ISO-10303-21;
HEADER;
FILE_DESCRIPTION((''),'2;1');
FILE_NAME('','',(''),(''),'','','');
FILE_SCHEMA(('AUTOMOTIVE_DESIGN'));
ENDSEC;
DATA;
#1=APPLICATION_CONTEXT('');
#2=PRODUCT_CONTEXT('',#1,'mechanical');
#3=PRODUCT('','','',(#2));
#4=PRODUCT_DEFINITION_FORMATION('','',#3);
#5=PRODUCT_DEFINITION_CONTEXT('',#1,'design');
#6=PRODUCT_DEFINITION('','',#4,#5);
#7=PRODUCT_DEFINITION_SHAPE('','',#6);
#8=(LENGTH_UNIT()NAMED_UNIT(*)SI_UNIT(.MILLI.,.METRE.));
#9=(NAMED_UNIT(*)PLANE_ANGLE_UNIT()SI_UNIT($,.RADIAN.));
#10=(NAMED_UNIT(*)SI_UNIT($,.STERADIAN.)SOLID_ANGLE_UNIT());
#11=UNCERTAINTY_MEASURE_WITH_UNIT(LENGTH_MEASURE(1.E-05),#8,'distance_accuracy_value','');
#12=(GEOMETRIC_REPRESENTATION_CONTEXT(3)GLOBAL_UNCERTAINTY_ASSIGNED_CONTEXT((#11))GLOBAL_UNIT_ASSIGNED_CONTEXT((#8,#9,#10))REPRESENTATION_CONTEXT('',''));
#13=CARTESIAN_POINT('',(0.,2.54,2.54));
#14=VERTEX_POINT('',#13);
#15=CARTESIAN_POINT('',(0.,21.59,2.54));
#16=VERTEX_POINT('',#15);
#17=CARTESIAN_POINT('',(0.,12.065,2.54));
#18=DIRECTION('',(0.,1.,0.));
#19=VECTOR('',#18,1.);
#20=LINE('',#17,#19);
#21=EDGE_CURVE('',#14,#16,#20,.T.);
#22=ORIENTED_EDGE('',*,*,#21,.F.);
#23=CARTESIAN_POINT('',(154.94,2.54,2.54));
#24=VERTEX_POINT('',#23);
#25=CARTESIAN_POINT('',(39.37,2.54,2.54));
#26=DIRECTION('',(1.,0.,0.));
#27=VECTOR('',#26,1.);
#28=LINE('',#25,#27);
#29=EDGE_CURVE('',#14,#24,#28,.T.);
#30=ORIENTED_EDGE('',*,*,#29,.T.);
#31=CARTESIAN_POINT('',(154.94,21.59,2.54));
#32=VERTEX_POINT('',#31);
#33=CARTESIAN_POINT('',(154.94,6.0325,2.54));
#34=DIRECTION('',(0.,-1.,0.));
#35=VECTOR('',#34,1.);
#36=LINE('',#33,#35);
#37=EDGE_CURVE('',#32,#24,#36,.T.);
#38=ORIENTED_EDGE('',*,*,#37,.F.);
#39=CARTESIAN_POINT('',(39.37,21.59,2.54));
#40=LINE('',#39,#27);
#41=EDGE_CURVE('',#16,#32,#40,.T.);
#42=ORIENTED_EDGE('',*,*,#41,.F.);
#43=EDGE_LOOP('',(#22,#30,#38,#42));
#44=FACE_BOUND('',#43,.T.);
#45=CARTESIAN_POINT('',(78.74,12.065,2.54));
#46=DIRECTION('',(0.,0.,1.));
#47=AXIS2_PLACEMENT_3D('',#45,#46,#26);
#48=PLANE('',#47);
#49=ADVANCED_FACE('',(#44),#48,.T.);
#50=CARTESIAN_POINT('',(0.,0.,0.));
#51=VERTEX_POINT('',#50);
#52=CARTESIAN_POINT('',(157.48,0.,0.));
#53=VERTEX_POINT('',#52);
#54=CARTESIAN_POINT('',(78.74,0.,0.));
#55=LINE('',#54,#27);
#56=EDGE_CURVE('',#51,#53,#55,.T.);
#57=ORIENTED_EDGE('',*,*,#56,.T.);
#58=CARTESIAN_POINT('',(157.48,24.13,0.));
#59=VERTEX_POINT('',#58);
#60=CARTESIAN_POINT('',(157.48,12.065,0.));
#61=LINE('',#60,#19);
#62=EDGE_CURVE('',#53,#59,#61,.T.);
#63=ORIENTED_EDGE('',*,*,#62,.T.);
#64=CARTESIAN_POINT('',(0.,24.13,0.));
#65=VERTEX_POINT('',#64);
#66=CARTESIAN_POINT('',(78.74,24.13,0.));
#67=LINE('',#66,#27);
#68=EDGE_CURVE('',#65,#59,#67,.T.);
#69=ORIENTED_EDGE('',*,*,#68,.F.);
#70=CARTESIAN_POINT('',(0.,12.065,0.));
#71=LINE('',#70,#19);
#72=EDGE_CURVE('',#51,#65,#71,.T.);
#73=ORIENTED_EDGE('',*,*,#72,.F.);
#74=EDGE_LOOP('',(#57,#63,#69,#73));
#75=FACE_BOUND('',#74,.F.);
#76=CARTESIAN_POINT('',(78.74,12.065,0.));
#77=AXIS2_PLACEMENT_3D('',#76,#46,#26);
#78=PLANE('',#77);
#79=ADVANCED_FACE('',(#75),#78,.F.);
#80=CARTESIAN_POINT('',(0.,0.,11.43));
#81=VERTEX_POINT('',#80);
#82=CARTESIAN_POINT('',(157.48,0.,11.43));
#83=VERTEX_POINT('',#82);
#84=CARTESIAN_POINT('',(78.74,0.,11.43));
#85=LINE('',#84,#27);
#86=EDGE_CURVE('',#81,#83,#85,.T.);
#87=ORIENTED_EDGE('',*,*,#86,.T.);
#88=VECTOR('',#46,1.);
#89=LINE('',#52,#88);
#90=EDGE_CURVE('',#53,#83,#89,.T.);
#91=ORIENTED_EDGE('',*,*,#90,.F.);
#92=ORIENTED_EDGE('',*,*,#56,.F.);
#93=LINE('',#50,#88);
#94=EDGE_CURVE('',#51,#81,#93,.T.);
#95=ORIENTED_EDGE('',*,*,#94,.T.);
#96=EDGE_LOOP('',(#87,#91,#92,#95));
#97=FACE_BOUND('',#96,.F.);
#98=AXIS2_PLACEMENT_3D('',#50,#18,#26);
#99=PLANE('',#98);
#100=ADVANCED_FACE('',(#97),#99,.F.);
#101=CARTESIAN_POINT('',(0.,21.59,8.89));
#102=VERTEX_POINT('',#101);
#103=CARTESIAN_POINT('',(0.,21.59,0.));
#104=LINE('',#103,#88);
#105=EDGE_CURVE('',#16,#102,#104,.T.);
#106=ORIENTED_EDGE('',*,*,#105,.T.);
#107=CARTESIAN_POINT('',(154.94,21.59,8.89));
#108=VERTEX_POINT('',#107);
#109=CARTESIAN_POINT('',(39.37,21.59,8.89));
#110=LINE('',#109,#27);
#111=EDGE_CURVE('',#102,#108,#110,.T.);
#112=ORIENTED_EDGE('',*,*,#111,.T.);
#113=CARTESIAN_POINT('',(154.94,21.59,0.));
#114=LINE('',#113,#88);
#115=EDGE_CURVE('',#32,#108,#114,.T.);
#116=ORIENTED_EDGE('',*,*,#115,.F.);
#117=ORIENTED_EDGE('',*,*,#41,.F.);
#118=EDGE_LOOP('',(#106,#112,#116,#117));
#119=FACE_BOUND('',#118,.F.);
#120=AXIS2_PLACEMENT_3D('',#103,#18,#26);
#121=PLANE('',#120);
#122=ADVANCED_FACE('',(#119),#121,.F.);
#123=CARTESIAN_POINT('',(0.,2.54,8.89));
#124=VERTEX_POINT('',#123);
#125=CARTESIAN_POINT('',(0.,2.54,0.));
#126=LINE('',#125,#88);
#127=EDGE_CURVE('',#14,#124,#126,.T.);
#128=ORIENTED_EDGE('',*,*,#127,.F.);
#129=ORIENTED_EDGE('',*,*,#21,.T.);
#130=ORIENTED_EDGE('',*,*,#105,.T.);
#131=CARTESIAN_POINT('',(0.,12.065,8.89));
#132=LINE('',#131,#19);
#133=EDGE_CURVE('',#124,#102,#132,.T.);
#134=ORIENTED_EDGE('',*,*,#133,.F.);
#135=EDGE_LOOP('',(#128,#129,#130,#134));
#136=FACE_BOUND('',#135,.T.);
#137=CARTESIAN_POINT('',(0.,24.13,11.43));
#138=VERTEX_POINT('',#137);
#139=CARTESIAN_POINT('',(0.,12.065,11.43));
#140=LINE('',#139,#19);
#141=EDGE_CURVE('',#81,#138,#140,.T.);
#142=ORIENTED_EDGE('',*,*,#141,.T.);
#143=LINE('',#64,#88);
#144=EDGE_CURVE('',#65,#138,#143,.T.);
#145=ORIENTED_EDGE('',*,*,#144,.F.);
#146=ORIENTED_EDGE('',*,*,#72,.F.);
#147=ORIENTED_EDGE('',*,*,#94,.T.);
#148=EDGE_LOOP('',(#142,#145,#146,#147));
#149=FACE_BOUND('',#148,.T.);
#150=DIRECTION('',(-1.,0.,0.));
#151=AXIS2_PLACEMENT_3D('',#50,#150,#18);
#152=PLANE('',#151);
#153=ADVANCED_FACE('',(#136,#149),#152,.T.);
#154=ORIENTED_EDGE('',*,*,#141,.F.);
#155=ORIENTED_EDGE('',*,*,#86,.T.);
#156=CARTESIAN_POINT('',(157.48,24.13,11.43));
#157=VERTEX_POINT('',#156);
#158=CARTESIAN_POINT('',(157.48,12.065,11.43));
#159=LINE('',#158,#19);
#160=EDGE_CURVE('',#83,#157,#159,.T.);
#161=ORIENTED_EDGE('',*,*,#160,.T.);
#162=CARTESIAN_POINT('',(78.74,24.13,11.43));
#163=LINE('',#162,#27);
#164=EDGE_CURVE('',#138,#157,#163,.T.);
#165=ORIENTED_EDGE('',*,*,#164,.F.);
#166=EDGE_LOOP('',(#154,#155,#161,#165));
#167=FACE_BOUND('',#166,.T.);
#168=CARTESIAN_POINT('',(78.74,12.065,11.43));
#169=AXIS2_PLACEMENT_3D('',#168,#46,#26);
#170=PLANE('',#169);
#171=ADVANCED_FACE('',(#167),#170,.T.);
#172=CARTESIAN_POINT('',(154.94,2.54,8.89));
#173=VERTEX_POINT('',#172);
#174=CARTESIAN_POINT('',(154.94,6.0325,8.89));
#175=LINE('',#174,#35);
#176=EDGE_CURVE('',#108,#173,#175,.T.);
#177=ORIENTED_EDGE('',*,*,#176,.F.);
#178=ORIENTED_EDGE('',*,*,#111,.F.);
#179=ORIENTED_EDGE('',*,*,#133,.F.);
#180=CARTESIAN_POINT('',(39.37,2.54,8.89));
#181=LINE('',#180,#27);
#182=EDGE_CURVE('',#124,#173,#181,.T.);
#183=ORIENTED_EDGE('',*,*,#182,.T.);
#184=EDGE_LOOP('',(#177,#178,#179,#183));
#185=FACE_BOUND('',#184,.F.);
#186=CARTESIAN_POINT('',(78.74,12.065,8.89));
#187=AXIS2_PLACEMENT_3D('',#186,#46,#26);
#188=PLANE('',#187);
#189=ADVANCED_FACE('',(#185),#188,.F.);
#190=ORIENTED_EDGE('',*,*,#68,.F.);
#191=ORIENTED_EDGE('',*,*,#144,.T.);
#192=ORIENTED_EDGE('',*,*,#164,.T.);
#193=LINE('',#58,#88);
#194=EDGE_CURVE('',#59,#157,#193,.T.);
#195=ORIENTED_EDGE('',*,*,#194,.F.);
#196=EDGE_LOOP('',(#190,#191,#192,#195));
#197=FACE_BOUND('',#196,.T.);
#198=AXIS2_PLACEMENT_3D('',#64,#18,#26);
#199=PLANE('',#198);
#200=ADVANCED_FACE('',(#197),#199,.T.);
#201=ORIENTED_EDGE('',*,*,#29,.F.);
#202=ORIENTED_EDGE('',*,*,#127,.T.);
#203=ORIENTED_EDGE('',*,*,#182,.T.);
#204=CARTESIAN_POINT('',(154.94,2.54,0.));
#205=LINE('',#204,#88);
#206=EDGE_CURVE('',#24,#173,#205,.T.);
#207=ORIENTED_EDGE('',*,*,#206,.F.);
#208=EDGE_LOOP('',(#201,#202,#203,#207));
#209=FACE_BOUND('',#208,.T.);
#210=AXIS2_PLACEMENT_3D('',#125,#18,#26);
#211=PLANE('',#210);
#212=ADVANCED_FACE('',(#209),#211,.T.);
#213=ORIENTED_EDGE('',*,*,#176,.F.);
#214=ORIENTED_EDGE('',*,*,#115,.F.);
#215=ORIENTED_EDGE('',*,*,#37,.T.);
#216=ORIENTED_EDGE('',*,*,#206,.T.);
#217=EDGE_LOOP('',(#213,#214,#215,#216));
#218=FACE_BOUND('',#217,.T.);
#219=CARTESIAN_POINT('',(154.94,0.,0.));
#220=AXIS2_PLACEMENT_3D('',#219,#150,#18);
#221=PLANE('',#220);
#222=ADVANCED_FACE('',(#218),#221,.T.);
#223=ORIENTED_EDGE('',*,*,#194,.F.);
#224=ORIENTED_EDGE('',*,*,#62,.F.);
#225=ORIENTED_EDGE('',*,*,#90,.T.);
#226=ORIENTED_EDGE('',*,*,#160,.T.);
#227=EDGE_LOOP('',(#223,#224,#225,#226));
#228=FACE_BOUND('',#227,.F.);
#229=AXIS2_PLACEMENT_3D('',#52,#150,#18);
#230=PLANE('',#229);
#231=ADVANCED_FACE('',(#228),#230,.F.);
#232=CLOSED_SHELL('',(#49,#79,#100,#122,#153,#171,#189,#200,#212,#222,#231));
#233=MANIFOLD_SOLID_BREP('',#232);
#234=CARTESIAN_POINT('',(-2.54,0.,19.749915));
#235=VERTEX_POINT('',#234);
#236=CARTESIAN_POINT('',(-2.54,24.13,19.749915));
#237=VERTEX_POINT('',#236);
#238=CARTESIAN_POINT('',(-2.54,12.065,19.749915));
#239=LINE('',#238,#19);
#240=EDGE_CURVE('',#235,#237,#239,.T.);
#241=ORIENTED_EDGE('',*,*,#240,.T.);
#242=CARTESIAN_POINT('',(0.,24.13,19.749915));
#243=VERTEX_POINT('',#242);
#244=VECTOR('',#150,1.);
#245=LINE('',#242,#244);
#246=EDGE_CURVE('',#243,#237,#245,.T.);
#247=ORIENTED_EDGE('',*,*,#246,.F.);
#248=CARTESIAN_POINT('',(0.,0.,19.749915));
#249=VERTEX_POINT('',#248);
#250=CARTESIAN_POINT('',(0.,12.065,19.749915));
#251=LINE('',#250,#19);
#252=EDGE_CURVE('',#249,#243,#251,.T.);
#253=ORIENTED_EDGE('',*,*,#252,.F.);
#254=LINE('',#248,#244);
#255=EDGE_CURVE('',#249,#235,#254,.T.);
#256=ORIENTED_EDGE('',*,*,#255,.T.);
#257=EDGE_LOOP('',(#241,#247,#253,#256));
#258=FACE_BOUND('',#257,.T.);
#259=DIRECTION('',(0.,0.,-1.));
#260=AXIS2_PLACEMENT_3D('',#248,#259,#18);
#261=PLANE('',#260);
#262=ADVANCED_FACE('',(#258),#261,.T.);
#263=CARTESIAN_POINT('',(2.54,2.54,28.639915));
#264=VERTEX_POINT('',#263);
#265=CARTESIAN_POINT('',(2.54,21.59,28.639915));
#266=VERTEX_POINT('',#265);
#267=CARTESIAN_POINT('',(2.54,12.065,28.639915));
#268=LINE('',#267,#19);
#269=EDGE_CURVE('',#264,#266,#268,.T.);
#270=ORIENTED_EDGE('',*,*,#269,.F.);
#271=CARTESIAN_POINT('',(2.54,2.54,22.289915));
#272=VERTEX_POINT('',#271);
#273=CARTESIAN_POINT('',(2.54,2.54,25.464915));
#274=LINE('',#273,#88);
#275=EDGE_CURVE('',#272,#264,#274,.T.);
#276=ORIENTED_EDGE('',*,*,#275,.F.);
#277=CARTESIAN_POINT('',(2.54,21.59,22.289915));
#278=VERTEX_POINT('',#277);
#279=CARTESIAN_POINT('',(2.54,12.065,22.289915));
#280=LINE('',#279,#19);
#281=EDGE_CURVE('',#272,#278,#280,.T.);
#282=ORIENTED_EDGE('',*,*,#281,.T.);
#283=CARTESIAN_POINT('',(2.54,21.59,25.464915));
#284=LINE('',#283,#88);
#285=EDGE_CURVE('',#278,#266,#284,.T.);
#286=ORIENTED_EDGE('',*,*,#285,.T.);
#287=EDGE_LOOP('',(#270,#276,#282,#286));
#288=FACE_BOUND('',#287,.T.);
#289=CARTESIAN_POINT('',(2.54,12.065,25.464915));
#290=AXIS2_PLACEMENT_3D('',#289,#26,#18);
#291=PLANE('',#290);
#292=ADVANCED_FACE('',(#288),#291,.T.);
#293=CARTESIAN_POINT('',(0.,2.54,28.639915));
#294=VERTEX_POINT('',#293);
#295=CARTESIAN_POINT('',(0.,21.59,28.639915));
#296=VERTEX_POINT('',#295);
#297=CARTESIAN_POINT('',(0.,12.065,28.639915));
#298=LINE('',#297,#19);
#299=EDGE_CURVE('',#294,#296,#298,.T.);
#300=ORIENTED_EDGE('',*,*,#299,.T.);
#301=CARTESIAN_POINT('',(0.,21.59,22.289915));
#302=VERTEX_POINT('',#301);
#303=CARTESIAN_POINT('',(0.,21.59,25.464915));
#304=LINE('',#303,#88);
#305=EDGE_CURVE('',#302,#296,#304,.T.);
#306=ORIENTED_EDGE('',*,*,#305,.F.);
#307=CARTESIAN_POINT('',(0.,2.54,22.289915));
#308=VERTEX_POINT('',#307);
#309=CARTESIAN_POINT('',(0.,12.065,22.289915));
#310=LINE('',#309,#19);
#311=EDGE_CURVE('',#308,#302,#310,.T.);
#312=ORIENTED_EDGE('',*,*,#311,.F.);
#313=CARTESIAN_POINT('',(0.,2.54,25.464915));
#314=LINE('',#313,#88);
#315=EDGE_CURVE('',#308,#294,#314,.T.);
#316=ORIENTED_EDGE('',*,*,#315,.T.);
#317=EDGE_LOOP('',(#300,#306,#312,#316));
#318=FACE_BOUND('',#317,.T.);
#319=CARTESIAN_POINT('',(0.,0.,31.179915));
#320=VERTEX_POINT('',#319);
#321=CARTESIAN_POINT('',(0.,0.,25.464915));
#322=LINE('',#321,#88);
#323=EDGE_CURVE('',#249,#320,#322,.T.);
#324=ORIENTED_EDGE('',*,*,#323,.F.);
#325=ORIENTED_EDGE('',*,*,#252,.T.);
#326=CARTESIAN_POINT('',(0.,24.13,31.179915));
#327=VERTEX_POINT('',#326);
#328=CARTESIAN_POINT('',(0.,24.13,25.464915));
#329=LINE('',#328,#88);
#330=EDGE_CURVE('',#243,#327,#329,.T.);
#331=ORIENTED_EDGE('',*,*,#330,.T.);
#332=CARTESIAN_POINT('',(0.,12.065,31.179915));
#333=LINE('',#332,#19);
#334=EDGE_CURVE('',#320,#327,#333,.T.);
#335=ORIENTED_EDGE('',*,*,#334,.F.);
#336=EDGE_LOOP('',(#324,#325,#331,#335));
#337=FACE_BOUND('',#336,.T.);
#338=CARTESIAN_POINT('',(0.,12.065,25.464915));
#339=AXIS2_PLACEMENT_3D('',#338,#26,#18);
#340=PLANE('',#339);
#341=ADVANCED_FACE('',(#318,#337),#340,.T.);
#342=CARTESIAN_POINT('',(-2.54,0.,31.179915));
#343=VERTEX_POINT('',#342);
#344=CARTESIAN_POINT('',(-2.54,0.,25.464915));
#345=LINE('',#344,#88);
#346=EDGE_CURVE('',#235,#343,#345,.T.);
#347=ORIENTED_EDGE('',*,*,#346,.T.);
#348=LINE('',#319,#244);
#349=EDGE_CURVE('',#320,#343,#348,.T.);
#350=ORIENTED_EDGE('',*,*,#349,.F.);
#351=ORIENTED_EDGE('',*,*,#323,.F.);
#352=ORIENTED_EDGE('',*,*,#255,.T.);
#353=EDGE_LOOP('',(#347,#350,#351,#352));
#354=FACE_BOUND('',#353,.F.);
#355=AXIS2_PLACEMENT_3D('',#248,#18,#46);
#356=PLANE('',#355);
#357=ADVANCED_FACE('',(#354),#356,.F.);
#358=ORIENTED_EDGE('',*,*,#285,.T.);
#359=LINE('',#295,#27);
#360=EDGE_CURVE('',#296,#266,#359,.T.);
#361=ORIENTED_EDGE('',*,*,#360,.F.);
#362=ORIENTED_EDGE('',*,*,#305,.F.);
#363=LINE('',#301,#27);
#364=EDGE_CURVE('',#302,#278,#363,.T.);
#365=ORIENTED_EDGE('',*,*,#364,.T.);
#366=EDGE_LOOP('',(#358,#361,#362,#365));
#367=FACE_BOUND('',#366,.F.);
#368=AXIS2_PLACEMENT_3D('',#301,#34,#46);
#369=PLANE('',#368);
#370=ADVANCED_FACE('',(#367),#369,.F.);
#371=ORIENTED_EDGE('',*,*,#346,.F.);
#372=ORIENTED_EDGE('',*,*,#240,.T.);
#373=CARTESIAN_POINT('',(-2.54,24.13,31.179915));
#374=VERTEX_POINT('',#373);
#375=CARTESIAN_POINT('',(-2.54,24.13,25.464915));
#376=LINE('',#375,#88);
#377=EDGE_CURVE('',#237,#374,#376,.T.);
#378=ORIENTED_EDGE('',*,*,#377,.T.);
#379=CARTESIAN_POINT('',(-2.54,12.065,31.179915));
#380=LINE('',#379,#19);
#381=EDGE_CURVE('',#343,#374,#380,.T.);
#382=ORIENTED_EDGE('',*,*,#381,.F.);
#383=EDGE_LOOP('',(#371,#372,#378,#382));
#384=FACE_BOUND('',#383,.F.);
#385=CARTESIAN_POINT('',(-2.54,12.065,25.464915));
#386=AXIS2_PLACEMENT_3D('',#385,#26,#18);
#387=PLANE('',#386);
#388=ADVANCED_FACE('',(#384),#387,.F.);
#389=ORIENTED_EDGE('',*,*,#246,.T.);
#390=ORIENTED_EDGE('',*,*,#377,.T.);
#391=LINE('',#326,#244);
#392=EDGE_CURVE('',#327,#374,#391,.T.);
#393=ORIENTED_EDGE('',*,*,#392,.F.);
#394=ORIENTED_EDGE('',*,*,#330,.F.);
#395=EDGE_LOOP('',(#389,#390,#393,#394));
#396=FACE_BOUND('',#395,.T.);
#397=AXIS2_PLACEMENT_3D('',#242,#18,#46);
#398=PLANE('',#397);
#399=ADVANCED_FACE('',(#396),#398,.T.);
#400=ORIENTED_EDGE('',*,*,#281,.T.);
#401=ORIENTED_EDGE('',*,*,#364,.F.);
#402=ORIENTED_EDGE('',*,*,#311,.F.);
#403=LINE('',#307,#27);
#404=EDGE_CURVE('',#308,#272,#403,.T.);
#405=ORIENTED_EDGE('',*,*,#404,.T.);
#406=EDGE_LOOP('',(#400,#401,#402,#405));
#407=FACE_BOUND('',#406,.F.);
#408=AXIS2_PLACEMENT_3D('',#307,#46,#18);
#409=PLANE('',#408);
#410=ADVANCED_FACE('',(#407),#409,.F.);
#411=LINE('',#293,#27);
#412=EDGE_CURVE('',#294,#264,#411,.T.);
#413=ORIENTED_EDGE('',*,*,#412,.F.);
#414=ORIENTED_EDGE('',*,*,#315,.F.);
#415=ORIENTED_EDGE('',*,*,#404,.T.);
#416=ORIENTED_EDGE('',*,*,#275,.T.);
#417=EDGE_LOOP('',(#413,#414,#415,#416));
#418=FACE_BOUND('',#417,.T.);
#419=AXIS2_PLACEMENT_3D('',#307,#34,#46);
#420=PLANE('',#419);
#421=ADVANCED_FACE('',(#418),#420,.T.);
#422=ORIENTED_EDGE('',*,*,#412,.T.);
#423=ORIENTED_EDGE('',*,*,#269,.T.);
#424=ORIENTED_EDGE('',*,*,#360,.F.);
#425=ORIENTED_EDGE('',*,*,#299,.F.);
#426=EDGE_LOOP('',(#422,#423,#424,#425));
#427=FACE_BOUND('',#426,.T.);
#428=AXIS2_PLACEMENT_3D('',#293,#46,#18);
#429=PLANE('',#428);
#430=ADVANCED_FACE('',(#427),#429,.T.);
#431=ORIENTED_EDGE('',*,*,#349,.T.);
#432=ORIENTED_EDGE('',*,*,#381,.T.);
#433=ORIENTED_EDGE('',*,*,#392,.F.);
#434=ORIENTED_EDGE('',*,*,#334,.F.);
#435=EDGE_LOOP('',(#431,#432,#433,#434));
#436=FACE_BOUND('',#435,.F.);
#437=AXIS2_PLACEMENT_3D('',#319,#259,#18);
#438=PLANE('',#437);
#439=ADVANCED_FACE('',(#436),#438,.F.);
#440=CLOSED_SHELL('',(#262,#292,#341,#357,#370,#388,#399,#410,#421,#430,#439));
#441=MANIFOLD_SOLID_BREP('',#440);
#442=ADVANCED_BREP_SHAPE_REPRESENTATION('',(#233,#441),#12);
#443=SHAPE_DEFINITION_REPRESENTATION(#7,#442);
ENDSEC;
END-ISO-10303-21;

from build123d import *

# Parameters (mm, degrees)
F0_W     = 157.48
F0_H     = 24.13
F1_DEPTH = 11.43
F2_T     = -2.54
F3_W     = 24.13
F3_H     = 11.43
F3_W_2   = 19.05
F3_H_2   = 6.35
F4_DEPTH = 2.54
F5_DEPTH = 2.54


with BuildPart() as f1:
    # F0 (on Top) → F1 (new body)
    with BuildSketch(Plane.XY):
        with Locations((78.74, 12.065)):
            Rectangle(F0_W, F0_H)
    extrude(amount=F1_DEPTH)

    # F2
    f2_openings = [f1.faces().sort_by_distance(p)[0] for p in [
        (0, 12.065, 5.715),
    ]]
    offset(amount=F2_T, openings=f2_openings)


with BuildPart() as f4:
    # F3 (on Right) → F4 (new body)
    with BuildSketch(Plane.YZ):
        with Locations((12.065, 25.464915)):
            Rectangle(F3_W, F3_H)
        with Locations((12.065, 25.464915)):
            Rectangle(F3_W_2, F3_H_2, mode=Mode.SUBTRACT)
        with Locations((12.065, 25.464915)):
            Rectangle(F3_W_2, F3_H_2)
    extrude(amount=-F4_DEPTH)

    # F3 (on Right) → F5 (join)
    with BuildSketch(Plane.YZ):
        with Locations((12.065, 25.464915)):
            Rectangle(F3_W_2, F3_H_2)
    extrude(amount=F5_DEPTH)


solid = Compound([f1.part, f4.part])
